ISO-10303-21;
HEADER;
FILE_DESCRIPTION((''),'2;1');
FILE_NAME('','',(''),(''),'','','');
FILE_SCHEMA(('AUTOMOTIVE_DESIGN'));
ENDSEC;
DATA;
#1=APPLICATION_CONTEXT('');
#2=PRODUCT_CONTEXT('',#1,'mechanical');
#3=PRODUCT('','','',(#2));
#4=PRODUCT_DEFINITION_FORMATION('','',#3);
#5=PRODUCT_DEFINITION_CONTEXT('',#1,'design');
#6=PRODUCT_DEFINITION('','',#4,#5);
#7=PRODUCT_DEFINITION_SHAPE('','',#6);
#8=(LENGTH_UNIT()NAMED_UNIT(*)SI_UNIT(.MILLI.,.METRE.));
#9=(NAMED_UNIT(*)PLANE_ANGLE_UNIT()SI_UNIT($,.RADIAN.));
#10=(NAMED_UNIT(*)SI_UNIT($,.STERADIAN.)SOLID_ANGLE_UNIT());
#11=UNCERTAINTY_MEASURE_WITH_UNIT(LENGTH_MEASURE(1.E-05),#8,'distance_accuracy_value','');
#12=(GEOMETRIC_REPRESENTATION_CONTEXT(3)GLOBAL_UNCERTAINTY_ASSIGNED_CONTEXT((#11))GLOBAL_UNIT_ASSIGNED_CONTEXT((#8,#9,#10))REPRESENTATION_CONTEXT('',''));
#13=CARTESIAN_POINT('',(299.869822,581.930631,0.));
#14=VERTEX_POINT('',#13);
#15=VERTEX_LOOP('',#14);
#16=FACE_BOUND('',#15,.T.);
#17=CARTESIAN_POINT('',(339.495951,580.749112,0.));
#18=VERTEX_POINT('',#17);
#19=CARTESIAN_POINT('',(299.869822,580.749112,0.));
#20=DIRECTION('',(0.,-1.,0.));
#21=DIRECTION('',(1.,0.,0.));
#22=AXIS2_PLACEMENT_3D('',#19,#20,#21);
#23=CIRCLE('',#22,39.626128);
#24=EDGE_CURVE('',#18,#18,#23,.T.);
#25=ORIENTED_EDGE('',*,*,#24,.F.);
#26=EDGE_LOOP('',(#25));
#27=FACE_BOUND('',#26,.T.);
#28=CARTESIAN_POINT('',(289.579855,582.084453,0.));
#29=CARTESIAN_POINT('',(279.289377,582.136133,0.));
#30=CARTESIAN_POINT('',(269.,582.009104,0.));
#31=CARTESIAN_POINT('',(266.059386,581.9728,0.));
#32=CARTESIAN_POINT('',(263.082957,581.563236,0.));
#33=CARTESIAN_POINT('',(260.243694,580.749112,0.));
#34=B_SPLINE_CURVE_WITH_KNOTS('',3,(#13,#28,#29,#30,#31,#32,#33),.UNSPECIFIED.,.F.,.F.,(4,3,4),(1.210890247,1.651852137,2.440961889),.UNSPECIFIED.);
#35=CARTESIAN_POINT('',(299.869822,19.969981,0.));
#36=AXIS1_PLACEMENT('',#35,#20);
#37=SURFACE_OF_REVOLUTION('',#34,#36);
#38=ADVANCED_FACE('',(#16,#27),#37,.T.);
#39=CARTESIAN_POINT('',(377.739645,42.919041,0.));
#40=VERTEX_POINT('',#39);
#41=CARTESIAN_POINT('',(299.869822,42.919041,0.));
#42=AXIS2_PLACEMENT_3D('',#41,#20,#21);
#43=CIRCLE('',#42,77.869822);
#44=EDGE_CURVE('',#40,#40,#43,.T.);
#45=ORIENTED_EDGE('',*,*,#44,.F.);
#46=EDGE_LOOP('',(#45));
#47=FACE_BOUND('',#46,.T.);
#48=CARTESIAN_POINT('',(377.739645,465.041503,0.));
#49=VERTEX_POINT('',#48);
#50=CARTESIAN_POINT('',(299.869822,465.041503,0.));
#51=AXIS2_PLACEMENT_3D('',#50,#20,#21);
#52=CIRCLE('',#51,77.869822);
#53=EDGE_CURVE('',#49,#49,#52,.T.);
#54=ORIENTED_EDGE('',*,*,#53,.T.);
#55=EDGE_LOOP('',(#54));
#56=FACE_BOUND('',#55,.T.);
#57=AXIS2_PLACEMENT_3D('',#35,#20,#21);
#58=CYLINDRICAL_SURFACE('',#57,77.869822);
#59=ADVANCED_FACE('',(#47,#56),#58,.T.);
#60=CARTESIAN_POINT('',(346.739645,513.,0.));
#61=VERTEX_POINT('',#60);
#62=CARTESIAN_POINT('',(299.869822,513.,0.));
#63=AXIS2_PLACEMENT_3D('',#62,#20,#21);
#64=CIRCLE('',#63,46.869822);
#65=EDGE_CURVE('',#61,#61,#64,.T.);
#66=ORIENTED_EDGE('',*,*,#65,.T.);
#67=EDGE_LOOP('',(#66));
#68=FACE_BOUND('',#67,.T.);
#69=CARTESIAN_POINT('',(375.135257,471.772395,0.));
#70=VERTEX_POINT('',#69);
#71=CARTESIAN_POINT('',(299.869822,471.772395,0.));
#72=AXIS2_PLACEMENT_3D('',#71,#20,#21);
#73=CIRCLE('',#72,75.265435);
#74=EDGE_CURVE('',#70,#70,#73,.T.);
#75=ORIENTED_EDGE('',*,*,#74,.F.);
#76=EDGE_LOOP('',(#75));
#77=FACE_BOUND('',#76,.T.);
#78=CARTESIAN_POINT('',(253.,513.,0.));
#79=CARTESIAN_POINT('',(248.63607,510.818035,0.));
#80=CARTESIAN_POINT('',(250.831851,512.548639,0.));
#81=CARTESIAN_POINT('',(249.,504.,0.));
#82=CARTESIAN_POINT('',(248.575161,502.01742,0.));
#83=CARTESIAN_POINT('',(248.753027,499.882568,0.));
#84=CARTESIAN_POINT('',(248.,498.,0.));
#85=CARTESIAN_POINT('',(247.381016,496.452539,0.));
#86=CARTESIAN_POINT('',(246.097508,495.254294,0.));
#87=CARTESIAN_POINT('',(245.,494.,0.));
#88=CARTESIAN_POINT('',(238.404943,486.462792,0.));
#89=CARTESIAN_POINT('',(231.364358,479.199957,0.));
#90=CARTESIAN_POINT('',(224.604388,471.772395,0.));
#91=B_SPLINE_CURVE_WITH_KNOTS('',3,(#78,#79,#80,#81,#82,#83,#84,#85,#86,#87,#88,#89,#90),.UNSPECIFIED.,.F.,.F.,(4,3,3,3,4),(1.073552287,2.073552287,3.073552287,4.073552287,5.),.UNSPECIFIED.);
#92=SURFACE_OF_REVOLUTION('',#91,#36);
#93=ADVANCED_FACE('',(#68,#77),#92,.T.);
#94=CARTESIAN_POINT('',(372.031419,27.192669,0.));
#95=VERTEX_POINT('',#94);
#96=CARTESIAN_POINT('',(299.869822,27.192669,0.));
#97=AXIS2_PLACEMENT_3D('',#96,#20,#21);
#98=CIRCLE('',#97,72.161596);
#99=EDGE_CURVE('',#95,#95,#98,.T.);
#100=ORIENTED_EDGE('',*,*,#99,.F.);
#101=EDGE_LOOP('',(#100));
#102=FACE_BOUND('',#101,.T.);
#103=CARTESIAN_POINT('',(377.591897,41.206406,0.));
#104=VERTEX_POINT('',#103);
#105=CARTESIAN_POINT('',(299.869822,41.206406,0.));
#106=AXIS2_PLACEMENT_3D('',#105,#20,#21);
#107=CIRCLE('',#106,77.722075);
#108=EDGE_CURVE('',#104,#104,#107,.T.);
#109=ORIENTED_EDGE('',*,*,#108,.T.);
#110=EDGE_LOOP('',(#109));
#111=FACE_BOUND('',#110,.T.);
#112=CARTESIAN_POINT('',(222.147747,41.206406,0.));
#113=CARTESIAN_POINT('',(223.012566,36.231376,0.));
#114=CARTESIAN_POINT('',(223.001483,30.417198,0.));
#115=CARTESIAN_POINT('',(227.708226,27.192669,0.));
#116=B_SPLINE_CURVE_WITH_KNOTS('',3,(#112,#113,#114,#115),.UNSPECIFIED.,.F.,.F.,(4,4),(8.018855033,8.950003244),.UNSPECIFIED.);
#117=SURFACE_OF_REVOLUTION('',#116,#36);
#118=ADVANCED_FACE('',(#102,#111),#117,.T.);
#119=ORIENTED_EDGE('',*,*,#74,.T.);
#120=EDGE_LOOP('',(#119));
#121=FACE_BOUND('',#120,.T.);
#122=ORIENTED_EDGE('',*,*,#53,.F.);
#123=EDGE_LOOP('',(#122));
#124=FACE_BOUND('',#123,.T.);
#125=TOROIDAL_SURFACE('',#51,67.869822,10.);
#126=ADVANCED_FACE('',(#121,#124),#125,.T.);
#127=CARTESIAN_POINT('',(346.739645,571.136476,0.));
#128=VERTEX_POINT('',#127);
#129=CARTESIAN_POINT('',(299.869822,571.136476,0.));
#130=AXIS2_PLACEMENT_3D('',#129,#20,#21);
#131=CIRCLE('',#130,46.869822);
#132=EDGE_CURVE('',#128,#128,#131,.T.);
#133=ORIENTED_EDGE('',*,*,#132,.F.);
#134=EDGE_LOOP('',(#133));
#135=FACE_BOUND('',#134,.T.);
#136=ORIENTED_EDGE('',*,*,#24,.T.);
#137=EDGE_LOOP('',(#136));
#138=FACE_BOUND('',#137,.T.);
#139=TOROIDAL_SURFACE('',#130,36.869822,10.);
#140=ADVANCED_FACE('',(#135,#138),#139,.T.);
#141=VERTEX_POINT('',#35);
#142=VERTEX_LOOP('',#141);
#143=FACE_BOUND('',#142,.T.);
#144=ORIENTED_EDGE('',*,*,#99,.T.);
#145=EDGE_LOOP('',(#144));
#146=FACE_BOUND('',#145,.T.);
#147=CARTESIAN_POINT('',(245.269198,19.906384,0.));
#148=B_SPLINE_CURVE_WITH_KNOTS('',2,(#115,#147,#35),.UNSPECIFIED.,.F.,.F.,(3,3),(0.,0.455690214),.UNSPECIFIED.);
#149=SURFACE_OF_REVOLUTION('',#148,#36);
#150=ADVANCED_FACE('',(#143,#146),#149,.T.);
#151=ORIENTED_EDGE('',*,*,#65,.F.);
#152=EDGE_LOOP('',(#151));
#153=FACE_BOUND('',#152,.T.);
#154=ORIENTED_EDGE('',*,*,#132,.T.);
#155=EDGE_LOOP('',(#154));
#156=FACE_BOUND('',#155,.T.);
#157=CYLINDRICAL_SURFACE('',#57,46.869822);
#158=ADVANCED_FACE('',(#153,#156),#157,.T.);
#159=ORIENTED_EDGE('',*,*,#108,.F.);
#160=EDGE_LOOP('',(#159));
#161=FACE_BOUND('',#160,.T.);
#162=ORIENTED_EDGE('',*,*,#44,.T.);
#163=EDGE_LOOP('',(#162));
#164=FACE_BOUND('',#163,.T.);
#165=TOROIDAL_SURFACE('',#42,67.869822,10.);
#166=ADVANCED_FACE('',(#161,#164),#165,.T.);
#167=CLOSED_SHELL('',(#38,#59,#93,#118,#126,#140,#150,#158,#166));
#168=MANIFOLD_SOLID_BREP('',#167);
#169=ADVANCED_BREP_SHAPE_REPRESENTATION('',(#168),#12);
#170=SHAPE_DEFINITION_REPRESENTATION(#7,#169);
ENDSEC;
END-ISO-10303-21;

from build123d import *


with BuildPart() as part:
    # Sketch1 → Revolve1 (revolve)
    with BuildSketch(Plane.XY):
        with BuildLine():
            Line((299.869822457, 19.969981452), (299.869822457, 581.9306305))
            add(Edge.make_bspline(
                [(260.243694036, 580.74911208), (263.082956961, 581.563236016), (266.059385675, 581.972800203), (269, 582.009104084), (279.289376505, 582.136133423), (289.579854883, 582.084453334), (299.869822457, 581.9306305)],
                knots=[1.210890247, 1.210890247, 1.210890247, 1.210890247, 2, 2, 2, 2.440961889, 2.440961889, 2.440961889, 2.440961889], degree=3))
            ThreePointArc((260.243694036, 580.74911208), (255.013666059, 577.154654049), (253, 571.136475738))
            Line((253, 571.136475738), (253, 513))
            add(Edge.make_bspline(
                [(224.604387653, 471.772395411), (231.364357938, 479.199956822), (238.40494302, 486.462792022), (245, 494), (246.09750768, 495.254294491), (247.381015539, 496.452538849), (248, 498), (248.753027097, 499.882567742), (248.575161437, 502.017420038), (249, 504), (250.83185132, 512.548639496), (248.636070132, 510.818035066), (253, 513)],
                knots=[1.073552287, 1.073552287, 1.073552287, 1.073552287, 2, 2, 2, 3, 3, 3, 4, 4, 4, 5, 5, 5, 5], degree=3))
            ThreePointArc((224.604387653, 471.772395411), (222.673797036, 468.650094884), (222, 465.041502601))
            Line((222, 465.041502601), (222, 42.919041115))
            ThreePointArc((222, 42.919041115), (222.037005327, 42.059542919), (222.14774743, 41.206405924))
            add(Edge.make_bspline(
                [(227.708226393, 27.19266873), (223.001482513, 30.417198271), (223.012565993, 36.231376239), (222.14774743, 41.206405924)],
                knots=[8.018855033, 8.018855033, 8.018855033, 8.018855033, 8.950003244, 8.950003244, 8.950003244, 8.950003244], degree=3))
            add(Edge.make_bspline(
                [(299.869822457, 19.969981452), (245.269197516, 19.906383893), (227.708226393, 27.19266873)],
                knots=[0, 0, 0, 0.455690214, 0.455690214, 0.455690214], degree=2))
        make_face()
    revolve(axis=Axis((299.869822457, 19.969981452, 0), (0, 1, 0)))


solid = part.part
